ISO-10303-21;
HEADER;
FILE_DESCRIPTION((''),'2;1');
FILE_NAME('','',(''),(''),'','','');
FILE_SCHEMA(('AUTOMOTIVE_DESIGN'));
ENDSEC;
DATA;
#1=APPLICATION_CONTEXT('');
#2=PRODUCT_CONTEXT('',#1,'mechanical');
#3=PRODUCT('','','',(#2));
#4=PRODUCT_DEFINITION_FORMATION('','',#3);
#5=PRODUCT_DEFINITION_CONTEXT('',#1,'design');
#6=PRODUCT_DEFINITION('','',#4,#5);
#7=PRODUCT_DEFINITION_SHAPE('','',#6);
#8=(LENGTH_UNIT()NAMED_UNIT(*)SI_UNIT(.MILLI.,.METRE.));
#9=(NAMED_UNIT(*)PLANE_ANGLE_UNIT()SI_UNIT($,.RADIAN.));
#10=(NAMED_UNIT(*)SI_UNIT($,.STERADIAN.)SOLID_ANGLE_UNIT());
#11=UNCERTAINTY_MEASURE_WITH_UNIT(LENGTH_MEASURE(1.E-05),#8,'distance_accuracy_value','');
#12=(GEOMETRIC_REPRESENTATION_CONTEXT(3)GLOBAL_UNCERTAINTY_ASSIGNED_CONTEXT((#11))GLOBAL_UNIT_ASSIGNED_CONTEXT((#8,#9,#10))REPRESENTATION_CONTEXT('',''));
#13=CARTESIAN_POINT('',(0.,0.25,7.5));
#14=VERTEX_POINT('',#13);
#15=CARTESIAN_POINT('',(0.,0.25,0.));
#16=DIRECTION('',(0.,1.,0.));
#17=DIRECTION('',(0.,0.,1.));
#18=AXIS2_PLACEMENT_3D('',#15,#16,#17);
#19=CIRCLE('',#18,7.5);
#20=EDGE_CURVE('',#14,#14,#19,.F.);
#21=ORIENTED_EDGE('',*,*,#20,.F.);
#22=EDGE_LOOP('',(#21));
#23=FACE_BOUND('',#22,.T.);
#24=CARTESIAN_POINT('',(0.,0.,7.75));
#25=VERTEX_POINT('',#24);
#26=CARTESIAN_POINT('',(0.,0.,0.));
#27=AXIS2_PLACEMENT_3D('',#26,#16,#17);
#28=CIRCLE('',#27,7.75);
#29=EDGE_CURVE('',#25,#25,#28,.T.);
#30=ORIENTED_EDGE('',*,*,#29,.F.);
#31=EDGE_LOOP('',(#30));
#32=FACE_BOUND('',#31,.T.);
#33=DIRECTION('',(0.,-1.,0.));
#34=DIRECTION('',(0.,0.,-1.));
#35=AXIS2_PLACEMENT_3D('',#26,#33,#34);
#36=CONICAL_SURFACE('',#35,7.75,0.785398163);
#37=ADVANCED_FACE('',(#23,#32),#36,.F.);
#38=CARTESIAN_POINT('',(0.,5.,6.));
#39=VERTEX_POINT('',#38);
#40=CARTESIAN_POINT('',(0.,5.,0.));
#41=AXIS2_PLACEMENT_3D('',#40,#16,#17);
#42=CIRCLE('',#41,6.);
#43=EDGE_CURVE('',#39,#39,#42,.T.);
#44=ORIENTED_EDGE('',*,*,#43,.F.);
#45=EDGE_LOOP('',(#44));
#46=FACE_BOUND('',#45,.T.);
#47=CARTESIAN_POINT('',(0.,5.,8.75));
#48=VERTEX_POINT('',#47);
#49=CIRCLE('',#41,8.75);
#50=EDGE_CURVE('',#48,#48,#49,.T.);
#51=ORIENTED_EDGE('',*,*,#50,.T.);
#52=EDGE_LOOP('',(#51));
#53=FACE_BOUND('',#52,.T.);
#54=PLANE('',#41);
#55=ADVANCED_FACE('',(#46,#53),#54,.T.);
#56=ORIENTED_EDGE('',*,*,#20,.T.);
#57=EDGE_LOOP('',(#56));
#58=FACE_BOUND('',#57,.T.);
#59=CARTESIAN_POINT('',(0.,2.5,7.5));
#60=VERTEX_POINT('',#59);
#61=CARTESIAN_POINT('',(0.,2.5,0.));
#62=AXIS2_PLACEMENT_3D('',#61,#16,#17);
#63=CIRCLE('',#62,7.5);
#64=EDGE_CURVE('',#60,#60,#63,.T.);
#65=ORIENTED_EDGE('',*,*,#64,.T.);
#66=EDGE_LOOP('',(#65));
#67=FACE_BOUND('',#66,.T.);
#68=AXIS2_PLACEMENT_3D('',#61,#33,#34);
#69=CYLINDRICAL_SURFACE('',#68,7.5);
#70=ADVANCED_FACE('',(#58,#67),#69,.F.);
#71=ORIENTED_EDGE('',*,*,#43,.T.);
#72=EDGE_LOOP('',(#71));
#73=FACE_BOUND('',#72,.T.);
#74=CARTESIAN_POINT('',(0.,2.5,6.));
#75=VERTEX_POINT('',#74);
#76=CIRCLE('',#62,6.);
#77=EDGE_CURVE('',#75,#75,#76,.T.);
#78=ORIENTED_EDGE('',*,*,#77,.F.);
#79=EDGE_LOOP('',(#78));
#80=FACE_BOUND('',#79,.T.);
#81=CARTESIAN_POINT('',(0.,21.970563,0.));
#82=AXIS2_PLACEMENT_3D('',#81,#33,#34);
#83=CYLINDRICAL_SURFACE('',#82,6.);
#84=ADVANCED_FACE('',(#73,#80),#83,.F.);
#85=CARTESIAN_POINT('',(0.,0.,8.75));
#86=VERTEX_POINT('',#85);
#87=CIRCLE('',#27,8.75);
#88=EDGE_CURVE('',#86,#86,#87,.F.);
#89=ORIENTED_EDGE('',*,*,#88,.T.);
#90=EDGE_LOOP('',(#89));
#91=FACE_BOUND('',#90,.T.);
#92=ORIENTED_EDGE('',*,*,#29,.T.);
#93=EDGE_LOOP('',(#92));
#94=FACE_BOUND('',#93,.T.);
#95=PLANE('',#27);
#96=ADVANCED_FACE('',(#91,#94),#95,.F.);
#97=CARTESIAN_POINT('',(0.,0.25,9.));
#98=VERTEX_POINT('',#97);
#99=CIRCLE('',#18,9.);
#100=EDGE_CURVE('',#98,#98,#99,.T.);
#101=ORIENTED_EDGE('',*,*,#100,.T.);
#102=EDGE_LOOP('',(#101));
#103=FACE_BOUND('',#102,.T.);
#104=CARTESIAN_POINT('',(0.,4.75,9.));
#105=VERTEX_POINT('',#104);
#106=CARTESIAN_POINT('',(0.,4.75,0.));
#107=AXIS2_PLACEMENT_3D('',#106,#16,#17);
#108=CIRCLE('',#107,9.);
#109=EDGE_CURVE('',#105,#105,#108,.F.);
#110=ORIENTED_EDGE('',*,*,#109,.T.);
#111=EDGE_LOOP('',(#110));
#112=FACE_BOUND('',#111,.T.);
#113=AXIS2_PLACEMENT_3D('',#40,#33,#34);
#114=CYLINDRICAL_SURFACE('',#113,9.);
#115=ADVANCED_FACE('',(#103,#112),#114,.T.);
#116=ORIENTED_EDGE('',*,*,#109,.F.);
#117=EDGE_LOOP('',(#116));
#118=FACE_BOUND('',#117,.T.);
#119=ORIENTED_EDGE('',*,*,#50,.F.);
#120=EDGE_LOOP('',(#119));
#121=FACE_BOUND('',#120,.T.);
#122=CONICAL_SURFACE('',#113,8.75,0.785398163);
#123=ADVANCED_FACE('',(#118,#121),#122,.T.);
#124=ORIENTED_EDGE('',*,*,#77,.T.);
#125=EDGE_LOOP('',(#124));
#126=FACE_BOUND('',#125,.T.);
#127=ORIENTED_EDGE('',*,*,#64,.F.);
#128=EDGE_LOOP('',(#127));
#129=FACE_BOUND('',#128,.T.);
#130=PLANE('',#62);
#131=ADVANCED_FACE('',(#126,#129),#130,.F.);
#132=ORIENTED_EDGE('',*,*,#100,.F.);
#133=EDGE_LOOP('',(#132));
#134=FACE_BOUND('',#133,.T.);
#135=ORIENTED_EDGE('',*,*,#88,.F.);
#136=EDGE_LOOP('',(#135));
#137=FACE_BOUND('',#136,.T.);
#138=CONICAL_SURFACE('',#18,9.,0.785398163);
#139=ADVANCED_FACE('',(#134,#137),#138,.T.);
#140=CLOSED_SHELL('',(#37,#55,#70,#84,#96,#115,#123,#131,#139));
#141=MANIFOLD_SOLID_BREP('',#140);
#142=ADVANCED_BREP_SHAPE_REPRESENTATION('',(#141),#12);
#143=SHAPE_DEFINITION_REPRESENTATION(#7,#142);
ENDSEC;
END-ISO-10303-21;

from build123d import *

# Parameters (mm, degrees)
SKETCH1_R           = 9
BOSS_EXTRUDE1_DEPTH = 5
SKETCH1_3_R         = 6
CUT_EXTRUDE1_DEPTH  = 5
SKETCH1_4_R         = 7.5
SKETCH1_4_R_2       = 6
CUT_EXTRUDE2_DEPTH  = 2.5
CHAMFER1_SIZE       = 0.25


with BuildPart() as part:
    # Sketch1 → Boss-Extrude1 (new body)
    with BuildSketch(Plane(origin=(0, 0, 0), x_dir=(1, 0, 0), z_dir=(0, 1, 0))):
        with Locations(Location((0, 0, 0), (0, 0, 270))):
            Circle(SKETCH1_R)
    extrude(amount=BOSS_EXTRUDE1_DEPTH)

    # Sketch1<3> → Cut-Extrude1 (cut)
    with BuildSketch(Plane(origin=(0, 0, 0), x_dir=(1, 0, 0), z_dir=(0, 1, 0))):
        with Locations(Location((0, 0, 0), (0, 0, 270))):
            Circle(SKETCH1_3_R)
    extrude(amount=CUT_EXTRUDE1_DEPTH, mode=Mode.SUBTRACT)

    # Sketch1<4> → Cut-Extrude2 (cut)
    with BuildSketch(Plane(origin=(0, 0, 0), x_dir=(1, 0, 0), z_dir=(0, 1, 0))):
        with Locations(Location((0, 0, 0), (0, 0, 270))):
            Circle(SKETCH1_4_R)
        with Locations(Location((0, 0, 0), (0, 0, 270))):
            Circle(SKETCH1_4_R_2, mode=Mode.SUBTRACT)
    extrude(amount=CUT_EXTRUDE2_DEPTH, mode=Mode.SUBTRACT)

    # Chamfer1
    chamfer1_edges = [part.edges().sort_by_distance(p)[0] for p in [
        (0, 0, -7.5),
        (0, 0, -9),
        (0, 5, -9),
    ]]
    chamfer(chamfer1_edges, length=CHAMFER1_SIZE)


solid = part.part
